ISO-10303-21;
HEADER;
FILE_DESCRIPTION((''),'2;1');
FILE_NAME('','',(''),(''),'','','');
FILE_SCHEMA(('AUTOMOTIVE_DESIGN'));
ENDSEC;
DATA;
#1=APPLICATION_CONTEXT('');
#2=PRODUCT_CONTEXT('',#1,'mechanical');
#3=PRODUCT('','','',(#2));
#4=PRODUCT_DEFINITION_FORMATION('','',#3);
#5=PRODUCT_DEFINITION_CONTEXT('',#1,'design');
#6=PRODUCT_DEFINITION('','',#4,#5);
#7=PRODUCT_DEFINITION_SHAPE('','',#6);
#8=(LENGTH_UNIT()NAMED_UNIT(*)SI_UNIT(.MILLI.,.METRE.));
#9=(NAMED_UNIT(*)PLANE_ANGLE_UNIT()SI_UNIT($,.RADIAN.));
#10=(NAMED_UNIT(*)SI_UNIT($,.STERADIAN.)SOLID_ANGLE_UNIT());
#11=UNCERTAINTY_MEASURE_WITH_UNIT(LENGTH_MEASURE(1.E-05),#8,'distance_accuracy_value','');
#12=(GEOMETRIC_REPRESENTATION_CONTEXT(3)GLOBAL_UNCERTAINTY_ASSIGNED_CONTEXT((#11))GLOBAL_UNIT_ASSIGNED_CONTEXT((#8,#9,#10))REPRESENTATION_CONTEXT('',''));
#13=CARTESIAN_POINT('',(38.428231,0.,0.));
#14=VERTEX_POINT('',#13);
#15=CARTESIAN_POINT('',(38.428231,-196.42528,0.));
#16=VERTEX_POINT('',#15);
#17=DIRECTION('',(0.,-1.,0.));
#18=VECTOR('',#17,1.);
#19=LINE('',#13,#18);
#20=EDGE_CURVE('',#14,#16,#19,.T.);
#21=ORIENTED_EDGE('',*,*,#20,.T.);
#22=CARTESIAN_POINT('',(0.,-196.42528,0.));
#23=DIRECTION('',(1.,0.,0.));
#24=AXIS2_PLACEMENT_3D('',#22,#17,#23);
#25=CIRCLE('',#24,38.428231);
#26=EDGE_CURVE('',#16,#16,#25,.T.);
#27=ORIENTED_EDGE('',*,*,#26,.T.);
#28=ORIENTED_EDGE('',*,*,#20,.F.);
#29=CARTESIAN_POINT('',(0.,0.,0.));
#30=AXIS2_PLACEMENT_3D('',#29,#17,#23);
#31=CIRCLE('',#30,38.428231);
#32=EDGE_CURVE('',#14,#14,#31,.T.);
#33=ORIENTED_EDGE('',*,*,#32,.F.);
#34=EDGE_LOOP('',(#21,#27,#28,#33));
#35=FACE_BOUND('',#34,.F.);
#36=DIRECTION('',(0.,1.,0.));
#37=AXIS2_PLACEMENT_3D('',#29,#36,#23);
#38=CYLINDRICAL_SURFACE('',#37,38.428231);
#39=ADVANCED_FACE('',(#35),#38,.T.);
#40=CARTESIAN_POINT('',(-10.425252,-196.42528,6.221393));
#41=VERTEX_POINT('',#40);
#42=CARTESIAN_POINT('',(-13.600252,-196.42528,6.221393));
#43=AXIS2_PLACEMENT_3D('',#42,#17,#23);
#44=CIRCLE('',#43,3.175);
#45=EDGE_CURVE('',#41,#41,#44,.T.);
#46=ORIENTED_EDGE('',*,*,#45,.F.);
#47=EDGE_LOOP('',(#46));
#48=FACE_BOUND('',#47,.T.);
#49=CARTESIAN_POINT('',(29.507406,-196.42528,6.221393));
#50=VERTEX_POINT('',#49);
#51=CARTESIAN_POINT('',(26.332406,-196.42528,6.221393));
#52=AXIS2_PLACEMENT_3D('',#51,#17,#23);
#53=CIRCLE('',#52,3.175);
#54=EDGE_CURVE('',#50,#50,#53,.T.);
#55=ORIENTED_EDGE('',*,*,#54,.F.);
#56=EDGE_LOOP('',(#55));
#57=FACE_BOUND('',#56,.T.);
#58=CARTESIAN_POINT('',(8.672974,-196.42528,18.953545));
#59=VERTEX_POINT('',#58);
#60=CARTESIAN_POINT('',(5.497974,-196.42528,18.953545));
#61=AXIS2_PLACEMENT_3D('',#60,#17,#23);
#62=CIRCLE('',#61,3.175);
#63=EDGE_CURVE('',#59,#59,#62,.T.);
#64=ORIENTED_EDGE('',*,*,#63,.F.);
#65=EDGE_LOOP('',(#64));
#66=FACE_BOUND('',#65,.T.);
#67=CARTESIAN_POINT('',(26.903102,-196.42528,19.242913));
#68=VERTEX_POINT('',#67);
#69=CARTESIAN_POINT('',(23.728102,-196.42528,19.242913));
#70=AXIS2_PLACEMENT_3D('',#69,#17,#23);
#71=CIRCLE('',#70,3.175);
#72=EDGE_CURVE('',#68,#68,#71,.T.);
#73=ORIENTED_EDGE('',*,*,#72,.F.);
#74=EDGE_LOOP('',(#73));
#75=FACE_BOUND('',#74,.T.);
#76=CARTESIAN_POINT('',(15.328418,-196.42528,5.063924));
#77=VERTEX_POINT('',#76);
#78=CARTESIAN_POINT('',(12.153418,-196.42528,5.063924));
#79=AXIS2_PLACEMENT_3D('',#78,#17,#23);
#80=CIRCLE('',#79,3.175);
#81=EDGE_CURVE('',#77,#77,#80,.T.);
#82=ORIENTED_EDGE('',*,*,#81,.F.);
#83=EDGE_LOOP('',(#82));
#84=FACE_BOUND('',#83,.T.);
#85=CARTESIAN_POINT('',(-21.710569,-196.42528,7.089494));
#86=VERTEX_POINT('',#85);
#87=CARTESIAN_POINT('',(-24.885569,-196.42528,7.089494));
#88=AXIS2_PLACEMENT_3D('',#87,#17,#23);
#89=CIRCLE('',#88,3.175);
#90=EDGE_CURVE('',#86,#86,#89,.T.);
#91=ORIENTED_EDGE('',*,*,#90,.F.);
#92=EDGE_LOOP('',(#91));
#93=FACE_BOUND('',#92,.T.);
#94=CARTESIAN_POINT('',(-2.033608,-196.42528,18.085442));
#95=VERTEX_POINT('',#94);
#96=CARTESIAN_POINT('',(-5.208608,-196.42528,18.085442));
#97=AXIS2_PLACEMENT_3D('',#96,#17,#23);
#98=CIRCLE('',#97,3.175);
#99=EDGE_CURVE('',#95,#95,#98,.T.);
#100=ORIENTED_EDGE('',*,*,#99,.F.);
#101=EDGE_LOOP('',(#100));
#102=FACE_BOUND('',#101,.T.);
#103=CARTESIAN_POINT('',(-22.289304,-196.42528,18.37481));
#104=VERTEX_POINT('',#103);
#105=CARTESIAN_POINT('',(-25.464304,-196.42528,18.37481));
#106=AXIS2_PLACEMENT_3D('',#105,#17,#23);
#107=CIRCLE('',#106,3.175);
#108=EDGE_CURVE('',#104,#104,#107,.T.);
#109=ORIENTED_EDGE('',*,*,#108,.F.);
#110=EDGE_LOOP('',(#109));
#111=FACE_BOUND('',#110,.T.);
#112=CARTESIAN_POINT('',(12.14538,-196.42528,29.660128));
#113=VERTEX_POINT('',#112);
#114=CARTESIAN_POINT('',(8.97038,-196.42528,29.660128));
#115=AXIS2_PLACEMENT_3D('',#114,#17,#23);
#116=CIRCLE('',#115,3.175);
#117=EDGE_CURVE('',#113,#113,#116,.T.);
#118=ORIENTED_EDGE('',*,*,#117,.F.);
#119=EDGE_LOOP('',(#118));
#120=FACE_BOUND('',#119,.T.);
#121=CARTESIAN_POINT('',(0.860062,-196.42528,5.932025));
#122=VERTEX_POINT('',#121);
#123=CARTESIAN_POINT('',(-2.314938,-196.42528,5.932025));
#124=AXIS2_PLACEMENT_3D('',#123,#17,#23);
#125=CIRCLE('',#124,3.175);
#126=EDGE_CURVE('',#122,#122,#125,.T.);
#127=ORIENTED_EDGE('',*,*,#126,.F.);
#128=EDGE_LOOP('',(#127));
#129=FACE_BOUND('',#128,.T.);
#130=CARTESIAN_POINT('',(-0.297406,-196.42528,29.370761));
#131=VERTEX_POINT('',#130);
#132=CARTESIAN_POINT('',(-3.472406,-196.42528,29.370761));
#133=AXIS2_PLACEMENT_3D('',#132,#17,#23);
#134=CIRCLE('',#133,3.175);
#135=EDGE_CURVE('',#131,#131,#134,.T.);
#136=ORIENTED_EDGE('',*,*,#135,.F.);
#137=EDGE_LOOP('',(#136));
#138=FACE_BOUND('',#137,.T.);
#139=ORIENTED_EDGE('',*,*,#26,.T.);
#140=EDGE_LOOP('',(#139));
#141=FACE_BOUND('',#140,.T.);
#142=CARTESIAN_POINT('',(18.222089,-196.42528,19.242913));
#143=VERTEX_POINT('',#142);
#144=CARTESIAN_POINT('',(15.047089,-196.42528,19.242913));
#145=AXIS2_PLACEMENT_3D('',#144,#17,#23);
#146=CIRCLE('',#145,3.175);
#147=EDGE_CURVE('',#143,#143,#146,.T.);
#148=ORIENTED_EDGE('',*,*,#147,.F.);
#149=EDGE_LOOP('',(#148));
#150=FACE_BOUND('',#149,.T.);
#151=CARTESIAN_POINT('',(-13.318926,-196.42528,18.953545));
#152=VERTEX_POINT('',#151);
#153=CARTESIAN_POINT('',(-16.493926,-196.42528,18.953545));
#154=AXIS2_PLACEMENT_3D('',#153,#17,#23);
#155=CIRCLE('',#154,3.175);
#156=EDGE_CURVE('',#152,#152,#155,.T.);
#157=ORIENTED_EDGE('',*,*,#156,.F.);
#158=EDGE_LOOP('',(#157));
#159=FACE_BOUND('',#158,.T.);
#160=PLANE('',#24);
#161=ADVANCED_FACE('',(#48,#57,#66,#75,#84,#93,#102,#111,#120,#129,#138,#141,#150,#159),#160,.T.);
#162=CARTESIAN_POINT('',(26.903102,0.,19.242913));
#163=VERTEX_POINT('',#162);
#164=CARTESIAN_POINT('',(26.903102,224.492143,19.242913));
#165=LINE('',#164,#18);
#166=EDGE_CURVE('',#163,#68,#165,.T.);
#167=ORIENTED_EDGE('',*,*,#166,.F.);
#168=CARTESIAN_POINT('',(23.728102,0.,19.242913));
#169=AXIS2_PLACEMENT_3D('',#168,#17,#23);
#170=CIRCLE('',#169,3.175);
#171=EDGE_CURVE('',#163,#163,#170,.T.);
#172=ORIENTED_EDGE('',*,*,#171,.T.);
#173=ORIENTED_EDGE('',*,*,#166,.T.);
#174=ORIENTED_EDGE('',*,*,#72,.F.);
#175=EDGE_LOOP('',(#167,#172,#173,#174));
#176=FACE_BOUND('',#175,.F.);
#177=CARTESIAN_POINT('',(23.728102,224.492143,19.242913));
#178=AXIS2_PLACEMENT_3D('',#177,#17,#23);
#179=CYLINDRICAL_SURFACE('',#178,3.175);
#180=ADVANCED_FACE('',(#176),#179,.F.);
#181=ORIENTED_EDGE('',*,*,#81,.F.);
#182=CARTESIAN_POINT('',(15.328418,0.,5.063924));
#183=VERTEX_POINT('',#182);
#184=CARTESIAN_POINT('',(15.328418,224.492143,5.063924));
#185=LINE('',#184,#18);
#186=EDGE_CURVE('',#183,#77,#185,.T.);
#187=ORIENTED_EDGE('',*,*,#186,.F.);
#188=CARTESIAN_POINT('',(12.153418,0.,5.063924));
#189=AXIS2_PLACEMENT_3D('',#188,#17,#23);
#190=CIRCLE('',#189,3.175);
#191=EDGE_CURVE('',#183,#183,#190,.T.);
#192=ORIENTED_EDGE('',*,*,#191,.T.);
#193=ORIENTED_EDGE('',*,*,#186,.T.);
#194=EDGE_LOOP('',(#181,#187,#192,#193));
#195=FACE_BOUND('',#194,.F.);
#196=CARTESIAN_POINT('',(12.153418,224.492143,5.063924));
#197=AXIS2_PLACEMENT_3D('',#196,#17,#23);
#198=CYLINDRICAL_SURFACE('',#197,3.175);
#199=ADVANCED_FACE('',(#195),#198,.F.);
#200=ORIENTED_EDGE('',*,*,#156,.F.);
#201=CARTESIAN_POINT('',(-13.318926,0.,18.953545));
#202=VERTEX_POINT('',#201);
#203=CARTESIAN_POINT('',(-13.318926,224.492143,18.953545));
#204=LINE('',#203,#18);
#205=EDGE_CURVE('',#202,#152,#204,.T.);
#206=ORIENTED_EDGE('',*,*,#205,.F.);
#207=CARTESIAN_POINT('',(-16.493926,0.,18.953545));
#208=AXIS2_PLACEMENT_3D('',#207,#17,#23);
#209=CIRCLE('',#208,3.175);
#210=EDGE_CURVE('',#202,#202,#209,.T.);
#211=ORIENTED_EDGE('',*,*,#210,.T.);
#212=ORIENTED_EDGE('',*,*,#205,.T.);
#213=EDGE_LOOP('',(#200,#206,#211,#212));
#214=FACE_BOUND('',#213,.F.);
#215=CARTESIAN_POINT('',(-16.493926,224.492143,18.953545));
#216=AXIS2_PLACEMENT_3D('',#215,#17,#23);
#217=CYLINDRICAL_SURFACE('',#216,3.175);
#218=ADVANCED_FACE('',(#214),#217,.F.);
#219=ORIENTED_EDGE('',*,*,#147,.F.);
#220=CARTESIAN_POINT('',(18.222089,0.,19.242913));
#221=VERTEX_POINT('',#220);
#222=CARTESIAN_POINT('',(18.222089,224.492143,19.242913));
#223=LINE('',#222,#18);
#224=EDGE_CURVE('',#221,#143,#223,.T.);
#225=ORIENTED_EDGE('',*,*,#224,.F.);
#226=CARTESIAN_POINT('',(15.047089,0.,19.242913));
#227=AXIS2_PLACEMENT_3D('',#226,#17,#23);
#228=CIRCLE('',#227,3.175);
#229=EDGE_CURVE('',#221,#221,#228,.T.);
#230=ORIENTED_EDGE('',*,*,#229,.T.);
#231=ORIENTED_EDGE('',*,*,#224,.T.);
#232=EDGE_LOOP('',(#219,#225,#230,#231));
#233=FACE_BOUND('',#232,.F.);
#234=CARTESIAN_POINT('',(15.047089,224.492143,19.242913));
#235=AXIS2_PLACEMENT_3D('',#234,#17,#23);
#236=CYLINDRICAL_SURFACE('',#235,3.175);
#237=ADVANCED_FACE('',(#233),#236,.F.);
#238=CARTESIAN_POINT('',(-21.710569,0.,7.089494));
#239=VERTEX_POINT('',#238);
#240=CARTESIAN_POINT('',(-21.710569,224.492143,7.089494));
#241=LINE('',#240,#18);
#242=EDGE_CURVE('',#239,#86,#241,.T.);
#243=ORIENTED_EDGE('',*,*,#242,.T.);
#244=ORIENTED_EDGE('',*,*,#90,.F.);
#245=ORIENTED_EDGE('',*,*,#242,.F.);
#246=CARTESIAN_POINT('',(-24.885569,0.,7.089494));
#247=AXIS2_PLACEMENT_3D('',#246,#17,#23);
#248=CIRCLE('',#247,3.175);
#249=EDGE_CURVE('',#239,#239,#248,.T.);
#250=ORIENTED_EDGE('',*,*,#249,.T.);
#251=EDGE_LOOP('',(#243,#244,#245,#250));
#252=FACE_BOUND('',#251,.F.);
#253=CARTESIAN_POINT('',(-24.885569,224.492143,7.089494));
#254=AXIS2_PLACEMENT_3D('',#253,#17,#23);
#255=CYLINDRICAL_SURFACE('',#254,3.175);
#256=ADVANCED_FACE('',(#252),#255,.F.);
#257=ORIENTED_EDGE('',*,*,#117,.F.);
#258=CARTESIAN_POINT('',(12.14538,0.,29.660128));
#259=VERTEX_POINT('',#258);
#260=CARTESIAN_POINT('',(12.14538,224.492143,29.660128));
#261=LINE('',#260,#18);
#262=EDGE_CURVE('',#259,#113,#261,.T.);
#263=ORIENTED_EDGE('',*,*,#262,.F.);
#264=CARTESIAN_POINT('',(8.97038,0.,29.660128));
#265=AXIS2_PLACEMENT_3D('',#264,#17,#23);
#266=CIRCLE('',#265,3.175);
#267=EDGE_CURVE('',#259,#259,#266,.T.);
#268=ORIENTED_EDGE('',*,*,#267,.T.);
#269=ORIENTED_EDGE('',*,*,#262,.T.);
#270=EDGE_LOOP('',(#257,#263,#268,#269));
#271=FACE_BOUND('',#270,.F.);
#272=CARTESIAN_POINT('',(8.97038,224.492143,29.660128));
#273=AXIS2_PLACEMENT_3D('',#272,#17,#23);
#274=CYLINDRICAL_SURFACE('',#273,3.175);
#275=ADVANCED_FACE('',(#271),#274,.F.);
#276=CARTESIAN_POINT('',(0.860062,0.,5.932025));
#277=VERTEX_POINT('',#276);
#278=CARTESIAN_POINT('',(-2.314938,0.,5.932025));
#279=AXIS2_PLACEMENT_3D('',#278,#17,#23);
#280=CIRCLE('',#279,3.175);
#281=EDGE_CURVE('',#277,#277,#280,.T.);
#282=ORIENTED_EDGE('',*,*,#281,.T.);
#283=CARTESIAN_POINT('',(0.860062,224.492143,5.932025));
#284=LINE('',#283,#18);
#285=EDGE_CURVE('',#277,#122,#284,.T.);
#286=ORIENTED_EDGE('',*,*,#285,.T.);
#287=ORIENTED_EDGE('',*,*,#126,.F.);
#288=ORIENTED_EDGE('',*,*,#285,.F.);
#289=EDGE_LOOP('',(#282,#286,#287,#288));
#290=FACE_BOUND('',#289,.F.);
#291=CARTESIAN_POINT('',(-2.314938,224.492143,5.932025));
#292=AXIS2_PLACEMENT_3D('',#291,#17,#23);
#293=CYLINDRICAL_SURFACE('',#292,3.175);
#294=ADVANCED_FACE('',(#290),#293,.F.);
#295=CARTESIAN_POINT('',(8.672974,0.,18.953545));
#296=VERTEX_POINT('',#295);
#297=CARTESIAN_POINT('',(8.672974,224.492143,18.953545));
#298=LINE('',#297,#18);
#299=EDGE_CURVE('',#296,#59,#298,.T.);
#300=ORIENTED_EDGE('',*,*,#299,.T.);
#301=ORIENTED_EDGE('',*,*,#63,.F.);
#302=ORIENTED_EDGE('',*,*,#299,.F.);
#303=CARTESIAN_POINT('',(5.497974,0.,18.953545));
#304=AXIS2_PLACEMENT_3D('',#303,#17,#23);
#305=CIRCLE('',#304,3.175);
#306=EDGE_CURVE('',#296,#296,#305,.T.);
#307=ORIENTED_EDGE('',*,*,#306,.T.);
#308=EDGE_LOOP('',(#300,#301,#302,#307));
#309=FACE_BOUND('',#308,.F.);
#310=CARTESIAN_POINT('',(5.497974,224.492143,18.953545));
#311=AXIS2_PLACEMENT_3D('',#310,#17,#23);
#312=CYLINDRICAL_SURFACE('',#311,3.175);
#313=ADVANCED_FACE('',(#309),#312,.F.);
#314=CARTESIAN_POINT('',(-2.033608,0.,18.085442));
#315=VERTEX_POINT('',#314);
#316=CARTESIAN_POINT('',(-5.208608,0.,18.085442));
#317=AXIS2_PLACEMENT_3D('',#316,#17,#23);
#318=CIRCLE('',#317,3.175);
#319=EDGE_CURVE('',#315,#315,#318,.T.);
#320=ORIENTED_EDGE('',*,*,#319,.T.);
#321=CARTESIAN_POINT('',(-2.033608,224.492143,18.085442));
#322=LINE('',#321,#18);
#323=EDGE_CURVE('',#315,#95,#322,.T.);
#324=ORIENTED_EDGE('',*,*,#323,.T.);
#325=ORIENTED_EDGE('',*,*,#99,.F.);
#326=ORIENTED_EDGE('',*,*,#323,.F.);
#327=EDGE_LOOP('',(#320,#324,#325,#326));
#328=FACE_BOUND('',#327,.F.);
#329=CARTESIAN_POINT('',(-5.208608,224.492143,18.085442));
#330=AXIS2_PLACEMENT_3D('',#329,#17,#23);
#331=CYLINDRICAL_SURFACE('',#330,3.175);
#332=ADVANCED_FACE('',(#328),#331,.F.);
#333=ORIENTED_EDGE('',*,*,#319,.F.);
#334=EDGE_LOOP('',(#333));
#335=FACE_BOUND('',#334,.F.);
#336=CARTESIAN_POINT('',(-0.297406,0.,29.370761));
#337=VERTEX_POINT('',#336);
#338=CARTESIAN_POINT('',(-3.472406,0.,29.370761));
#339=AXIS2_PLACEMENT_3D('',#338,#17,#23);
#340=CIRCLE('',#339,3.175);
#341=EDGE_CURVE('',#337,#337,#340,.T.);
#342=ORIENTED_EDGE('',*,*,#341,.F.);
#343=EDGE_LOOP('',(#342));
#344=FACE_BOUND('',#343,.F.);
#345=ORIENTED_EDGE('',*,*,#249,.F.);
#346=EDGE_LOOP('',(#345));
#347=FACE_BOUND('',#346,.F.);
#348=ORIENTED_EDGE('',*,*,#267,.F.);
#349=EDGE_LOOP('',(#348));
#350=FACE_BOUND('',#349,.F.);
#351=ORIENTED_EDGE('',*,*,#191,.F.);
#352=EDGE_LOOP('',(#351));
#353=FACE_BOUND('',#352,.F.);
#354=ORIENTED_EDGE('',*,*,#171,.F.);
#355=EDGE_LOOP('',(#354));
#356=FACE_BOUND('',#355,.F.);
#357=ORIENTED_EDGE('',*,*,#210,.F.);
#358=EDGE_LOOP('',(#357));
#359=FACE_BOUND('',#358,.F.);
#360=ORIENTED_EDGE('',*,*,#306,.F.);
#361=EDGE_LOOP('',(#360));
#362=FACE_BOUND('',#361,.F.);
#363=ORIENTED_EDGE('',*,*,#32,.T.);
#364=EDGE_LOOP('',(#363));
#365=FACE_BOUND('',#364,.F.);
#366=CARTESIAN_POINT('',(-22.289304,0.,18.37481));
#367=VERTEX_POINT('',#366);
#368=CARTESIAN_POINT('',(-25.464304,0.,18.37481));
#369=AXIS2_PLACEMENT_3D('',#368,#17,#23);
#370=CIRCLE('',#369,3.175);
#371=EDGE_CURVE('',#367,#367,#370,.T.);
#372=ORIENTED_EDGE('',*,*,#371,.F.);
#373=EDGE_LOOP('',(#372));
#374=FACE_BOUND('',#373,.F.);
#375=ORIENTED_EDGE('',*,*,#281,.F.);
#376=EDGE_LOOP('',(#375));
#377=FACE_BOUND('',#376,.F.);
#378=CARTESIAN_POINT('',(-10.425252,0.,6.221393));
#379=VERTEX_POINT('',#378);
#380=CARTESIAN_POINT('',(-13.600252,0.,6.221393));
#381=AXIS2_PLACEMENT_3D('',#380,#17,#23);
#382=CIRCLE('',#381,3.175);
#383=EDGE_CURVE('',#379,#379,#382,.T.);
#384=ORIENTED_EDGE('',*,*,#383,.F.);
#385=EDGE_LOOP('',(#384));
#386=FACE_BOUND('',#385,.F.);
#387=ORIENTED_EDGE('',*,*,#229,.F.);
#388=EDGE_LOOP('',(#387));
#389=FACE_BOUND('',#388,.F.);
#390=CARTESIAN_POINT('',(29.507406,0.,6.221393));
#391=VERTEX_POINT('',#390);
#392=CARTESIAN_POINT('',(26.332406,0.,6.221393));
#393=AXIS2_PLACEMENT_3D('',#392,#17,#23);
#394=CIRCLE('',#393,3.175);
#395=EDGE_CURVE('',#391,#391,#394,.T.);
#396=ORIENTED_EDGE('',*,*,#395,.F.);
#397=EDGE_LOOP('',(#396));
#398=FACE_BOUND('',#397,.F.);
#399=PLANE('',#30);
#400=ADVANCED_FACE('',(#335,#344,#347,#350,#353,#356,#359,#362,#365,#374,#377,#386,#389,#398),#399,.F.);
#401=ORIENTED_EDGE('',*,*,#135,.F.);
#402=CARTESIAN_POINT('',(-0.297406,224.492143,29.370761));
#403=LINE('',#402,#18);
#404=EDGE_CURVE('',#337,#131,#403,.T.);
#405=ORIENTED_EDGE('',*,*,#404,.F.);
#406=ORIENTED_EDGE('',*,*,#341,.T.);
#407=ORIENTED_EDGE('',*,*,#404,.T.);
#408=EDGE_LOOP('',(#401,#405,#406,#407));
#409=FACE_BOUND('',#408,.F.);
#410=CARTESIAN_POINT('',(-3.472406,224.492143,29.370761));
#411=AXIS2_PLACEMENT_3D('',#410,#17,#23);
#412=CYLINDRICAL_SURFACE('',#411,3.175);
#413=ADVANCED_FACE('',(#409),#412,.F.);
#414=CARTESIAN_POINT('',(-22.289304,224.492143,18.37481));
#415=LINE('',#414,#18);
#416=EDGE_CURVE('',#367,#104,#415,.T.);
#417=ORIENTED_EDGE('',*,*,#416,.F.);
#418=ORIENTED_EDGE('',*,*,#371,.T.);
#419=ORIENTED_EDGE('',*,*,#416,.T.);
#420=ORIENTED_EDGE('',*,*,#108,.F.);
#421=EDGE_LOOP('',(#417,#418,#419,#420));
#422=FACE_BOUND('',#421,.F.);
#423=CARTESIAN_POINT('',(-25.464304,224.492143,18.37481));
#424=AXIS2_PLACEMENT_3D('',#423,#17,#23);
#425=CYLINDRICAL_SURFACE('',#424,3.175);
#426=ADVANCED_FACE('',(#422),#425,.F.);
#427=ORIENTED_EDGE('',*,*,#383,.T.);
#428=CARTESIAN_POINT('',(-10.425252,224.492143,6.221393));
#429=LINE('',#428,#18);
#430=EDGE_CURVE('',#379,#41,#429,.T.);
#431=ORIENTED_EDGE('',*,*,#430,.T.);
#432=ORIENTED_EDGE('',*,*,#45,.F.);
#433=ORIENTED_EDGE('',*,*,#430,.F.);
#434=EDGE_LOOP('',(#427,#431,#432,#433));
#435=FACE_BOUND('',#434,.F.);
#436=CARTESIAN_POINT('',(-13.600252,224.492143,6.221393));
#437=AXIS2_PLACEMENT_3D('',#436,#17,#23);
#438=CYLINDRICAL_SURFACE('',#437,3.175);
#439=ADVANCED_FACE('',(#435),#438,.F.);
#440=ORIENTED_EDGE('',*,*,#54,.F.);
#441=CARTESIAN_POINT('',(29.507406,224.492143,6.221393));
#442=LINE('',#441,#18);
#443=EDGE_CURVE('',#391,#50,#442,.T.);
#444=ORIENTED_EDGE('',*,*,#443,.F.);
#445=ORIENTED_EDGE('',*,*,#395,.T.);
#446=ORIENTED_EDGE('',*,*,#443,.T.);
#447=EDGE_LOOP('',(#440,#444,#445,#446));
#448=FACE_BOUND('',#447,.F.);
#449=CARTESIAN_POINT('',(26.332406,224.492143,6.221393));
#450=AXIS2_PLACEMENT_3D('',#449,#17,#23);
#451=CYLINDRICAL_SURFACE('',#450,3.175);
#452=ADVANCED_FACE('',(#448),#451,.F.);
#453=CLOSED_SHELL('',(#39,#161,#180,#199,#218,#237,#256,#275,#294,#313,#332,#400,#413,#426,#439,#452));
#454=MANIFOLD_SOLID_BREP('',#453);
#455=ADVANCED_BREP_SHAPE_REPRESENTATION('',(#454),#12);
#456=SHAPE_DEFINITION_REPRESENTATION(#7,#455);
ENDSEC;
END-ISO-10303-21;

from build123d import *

# Parameters (mm, degrees)
F0_R     = 38.428231
F1_DEPTH = 196.42528
F3_D     = 6.35


with BuildPart() as f1:
    # F0 (on Front) → F1 (new body)
    with BuildSketch(Plane.XZ):
        Circle(F0_R)
    extrude(amount=F1_DEPTH)

    # F3 (through all)
    with Locations(Plane(origin=(0, 0, 0), x_dir=(-1, 0, 0), z_dir=(0, 1, 0))):
        with Locations((2.314938, 5.932025), (-12.153418, 5.063924), (-26.332406, 6.221393), (13.600252, 6.221393), (24.885569, 7.089494), (25.464304, 18.37481), (16.493926, 18.953545), (5.208608, 18.085442), (-5.497974, 18.953545), (-15.047089, 19.242913), (-23.728102, 19.242913), (-8.97038, 29.660128), (3.472406, 29.370761)):
            Hole(F3_D / 2)


solid = f1.part
